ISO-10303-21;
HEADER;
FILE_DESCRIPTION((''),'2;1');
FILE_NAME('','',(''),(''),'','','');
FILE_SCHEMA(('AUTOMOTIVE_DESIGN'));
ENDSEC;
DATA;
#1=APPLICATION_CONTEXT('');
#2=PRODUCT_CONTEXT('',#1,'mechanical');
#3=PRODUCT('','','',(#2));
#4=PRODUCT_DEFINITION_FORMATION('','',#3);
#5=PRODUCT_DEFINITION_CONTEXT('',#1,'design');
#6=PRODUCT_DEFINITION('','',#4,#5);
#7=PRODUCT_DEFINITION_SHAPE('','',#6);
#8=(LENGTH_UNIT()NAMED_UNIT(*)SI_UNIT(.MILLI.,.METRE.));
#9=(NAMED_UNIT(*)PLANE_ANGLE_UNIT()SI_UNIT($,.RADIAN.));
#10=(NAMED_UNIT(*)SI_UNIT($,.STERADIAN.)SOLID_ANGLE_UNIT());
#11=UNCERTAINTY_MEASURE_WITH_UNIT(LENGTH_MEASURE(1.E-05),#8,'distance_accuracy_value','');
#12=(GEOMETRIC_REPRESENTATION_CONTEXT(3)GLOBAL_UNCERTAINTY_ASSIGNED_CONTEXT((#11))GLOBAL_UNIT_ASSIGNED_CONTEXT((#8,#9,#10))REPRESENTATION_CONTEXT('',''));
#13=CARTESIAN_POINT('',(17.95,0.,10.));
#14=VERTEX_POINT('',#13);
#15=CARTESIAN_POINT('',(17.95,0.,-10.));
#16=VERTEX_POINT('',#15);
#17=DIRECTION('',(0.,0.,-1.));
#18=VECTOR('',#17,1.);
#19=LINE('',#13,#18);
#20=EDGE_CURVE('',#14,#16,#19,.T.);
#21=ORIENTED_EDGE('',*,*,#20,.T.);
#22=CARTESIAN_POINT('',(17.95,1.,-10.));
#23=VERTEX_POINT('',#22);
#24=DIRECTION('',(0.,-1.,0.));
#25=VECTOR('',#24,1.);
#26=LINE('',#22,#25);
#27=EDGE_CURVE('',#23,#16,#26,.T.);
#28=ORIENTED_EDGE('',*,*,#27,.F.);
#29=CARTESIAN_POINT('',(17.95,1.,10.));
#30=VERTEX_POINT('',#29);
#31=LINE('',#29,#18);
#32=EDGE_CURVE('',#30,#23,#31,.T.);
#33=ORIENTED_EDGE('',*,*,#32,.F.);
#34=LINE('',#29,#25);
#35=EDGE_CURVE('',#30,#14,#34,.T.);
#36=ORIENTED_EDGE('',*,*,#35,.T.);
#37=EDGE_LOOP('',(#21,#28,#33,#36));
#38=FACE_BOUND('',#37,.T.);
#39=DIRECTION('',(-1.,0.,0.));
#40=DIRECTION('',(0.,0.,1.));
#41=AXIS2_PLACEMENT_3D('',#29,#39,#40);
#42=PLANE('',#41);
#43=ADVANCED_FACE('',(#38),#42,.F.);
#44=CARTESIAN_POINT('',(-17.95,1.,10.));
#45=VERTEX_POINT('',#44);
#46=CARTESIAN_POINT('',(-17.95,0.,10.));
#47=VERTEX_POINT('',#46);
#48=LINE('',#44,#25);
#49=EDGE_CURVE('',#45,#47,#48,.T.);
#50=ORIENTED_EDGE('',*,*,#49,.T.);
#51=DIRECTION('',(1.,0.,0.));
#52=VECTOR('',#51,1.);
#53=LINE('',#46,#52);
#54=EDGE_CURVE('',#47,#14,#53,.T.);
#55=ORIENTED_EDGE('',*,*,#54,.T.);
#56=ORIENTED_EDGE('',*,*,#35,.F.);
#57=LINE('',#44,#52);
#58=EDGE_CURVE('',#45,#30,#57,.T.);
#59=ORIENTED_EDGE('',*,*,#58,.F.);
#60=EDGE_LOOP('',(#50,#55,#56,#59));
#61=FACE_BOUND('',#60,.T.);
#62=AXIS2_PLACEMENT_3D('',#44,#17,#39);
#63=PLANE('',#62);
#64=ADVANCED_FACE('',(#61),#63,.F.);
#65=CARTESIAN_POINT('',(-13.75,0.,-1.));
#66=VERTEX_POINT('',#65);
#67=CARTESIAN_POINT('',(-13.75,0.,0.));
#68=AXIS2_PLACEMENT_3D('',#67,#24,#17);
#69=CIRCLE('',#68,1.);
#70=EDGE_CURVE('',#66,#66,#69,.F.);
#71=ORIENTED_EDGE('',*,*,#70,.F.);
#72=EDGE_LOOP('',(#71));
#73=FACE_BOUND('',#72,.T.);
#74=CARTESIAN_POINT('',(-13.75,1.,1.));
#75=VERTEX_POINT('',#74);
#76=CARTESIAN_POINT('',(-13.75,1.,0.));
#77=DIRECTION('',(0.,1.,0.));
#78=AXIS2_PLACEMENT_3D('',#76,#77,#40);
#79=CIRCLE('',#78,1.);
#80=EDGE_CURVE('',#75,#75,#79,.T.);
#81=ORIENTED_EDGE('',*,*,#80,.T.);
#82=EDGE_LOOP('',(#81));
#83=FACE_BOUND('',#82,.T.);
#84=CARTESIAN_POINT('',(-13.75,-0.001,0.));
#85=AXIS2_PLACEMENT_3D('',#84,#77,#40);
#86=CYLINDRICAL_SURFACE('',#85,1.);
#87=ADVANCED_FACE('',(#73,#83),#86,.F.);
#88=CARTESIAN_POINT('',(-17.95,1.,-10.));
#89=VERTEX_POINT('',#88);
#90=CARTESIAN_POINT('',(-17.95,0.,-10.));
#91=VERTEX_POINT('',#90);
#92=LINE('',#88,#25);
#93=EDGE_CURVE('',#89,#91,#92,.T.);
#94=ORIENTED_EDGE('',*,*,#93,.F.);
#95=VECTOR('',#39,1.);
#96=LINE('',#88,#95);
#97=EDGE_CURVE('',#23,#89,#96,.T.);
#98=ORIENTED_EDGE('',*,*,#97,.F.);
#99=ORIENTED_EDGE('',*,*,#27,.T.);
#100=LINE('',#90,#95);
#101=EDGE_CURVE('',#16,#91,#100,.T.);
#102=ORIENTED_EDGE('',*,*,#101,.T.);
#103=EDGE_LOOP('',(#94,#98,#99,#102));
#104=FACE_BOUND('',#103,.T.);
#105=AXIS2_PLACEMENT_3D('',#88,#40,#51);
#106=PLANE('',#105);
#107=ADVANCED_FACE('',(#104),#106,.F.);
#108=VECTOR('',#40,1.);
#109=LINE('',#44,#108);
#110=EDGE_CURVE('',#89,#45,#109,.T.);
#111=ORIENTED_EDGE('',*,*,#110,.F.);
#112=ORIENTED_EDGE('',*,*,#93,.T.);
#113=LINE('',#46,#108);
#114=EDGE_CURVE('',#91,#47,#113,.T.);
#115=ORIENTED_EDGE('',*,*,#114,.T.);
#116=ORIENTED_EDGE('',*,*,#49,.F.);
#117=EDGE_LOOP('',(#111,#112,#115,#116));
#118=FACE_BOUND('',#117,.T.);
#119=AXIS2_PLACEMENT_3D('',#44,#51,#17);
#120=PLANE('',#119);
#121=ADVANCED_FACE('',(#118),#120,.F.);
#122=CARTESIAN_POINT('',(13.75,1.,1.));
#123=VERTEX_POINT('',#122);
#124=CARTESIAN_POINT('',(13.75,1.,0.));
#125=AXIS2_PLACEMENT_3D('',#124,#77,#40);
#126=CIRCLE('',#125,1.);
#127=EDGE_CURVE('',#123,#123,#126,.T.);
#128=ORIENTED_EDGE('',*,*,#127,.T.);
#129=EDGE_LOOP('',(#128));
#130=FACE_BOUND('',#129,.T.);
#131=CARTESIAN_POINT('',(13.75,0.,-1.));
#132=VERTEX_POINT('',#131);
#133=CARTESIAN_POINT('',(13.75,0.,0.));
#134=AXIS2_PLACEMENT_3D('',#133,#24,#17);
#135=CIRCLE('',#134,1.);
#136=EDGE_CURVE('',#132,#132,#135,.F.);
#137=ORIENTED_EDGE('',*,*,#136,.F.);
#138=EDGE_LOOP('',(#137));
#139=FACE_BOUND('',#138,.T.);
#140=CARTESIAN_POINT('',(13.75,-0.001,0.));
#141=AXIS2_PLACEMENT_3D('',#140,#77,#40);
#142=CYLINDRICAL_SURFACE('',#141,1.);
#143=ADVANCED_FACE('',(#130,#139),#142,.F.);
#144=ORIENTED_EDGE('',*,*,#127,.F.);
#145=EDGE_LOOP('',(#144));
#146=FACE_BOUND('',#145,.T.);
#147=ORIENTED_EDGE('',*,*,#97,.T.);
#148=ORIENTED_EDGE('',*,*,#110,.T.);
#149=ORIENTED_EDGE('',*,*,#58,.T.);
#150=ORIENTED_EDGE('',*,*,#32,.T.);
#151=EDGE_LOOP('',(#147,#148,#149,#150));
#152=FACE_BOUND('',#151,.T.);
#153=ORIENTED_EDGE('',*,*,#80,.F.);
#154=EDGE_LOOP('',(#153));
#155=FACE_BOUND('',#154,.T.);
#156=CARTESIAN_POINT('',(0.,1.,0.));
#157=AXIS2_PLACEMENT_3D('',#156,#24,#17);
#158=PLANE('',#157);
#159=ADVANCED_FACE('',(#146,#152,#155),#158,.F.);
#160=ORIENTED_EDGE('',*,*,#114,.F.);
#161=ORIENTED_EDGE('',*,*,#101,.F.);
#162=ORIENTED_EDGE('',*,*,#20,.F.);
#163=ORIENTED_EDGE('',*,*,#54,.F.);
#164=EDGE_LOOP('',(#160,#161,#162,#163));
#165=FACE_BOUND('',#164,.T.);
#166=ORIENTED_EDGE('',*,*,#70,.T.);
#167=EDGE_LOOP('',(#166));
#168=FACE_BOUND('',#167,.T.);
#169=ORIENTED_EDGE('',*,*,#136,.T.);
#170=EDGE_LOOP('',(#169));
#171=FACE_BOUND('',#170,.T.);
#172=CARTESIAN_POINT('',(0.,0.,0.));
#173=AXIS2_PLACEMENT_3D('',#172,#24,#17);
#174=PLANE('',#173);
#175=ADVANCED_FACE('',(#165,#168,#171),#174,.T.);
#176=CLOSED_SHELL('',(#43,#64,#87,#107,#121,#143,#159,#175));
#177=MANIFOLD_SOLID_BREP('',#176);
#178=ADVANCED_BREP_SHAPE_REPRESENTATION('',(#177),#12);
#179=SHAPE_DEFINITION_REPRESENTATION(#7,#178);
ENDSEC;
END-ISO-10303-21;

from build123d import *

# Parameters (mm, degrees)
ESBO_O1_W                = 35.9
ESBO_O1_H                = 20
RESSALTO_EXTRUS_O1_DEPTH = 1
CORTE_EXTRUS_O1_REACH    = 22.572
ESBO_O2_R                = 1


with BuildPart() as part:
    # Esboço1 → Ressalto-extrusão1 (new body)
    with BuildSketch(Plane(origin=(0, 0, 0), x_dir=(1, 0, 0), z_dir=(0, 1, 0))):
        Rectangle(ESBO_O1_W, ESBO_O1_H)
    extrude(amount=RESSALTO_EXTRUS_O1_DEPTH)

    # Esboço2 → Corte-extrusão1 (cut, up to next)
    with BuildSketch(Plane(origin=(0, 1, 0), x_dir=(1, 0, 0), z_dir=(0, 1, 0)), mode=Mode.PRIVATE) as corte_extrus_o1_sk1:
        with Locations(Location((13.75, 0, 0), (0, 0, 270))):
            Circle(ESBO_O2_R)
    corte_extrus_o1_tool1 = extrude(corte_extrus_o1_sk1.sketch, amount=-CORTE_EXTRUS_O1_REACH, mode=Mode.PRIVATE) & part.part
    # Esboço2 → Corte-extrusão1 (cut, up to next)
    with BuildSketch(Plane(origin=(0, 1, 0), x_dir=(1, 0, 0), z_dir=(0, 1, 0)), mode=Mode.PRIVATE) as corte_extrus_o1_sk2:
        with Locations(Location((-13.75, 0, 0), (0, 0, 270))):
            Circle(ESBO_O2_R)
    corte_extrus_o1_tool2 = extrude(corte_extrus_o1_sk2.sketch, amount=-CORTE_EXTRUS_O1_REACH, mode=Mode.PRIVATE) & part.part
    add(corte_extrus_o1_tool1.solids().sort_by_distance((13.75, 1, 0))[0], mode=Mode.SUBTRACT)
    add(corte_extrus_o1_tool2.solids().sort_by_distance((-13.75, 1, 0))[0], mode=Mode.SUBTRACT)


solid = part.part
